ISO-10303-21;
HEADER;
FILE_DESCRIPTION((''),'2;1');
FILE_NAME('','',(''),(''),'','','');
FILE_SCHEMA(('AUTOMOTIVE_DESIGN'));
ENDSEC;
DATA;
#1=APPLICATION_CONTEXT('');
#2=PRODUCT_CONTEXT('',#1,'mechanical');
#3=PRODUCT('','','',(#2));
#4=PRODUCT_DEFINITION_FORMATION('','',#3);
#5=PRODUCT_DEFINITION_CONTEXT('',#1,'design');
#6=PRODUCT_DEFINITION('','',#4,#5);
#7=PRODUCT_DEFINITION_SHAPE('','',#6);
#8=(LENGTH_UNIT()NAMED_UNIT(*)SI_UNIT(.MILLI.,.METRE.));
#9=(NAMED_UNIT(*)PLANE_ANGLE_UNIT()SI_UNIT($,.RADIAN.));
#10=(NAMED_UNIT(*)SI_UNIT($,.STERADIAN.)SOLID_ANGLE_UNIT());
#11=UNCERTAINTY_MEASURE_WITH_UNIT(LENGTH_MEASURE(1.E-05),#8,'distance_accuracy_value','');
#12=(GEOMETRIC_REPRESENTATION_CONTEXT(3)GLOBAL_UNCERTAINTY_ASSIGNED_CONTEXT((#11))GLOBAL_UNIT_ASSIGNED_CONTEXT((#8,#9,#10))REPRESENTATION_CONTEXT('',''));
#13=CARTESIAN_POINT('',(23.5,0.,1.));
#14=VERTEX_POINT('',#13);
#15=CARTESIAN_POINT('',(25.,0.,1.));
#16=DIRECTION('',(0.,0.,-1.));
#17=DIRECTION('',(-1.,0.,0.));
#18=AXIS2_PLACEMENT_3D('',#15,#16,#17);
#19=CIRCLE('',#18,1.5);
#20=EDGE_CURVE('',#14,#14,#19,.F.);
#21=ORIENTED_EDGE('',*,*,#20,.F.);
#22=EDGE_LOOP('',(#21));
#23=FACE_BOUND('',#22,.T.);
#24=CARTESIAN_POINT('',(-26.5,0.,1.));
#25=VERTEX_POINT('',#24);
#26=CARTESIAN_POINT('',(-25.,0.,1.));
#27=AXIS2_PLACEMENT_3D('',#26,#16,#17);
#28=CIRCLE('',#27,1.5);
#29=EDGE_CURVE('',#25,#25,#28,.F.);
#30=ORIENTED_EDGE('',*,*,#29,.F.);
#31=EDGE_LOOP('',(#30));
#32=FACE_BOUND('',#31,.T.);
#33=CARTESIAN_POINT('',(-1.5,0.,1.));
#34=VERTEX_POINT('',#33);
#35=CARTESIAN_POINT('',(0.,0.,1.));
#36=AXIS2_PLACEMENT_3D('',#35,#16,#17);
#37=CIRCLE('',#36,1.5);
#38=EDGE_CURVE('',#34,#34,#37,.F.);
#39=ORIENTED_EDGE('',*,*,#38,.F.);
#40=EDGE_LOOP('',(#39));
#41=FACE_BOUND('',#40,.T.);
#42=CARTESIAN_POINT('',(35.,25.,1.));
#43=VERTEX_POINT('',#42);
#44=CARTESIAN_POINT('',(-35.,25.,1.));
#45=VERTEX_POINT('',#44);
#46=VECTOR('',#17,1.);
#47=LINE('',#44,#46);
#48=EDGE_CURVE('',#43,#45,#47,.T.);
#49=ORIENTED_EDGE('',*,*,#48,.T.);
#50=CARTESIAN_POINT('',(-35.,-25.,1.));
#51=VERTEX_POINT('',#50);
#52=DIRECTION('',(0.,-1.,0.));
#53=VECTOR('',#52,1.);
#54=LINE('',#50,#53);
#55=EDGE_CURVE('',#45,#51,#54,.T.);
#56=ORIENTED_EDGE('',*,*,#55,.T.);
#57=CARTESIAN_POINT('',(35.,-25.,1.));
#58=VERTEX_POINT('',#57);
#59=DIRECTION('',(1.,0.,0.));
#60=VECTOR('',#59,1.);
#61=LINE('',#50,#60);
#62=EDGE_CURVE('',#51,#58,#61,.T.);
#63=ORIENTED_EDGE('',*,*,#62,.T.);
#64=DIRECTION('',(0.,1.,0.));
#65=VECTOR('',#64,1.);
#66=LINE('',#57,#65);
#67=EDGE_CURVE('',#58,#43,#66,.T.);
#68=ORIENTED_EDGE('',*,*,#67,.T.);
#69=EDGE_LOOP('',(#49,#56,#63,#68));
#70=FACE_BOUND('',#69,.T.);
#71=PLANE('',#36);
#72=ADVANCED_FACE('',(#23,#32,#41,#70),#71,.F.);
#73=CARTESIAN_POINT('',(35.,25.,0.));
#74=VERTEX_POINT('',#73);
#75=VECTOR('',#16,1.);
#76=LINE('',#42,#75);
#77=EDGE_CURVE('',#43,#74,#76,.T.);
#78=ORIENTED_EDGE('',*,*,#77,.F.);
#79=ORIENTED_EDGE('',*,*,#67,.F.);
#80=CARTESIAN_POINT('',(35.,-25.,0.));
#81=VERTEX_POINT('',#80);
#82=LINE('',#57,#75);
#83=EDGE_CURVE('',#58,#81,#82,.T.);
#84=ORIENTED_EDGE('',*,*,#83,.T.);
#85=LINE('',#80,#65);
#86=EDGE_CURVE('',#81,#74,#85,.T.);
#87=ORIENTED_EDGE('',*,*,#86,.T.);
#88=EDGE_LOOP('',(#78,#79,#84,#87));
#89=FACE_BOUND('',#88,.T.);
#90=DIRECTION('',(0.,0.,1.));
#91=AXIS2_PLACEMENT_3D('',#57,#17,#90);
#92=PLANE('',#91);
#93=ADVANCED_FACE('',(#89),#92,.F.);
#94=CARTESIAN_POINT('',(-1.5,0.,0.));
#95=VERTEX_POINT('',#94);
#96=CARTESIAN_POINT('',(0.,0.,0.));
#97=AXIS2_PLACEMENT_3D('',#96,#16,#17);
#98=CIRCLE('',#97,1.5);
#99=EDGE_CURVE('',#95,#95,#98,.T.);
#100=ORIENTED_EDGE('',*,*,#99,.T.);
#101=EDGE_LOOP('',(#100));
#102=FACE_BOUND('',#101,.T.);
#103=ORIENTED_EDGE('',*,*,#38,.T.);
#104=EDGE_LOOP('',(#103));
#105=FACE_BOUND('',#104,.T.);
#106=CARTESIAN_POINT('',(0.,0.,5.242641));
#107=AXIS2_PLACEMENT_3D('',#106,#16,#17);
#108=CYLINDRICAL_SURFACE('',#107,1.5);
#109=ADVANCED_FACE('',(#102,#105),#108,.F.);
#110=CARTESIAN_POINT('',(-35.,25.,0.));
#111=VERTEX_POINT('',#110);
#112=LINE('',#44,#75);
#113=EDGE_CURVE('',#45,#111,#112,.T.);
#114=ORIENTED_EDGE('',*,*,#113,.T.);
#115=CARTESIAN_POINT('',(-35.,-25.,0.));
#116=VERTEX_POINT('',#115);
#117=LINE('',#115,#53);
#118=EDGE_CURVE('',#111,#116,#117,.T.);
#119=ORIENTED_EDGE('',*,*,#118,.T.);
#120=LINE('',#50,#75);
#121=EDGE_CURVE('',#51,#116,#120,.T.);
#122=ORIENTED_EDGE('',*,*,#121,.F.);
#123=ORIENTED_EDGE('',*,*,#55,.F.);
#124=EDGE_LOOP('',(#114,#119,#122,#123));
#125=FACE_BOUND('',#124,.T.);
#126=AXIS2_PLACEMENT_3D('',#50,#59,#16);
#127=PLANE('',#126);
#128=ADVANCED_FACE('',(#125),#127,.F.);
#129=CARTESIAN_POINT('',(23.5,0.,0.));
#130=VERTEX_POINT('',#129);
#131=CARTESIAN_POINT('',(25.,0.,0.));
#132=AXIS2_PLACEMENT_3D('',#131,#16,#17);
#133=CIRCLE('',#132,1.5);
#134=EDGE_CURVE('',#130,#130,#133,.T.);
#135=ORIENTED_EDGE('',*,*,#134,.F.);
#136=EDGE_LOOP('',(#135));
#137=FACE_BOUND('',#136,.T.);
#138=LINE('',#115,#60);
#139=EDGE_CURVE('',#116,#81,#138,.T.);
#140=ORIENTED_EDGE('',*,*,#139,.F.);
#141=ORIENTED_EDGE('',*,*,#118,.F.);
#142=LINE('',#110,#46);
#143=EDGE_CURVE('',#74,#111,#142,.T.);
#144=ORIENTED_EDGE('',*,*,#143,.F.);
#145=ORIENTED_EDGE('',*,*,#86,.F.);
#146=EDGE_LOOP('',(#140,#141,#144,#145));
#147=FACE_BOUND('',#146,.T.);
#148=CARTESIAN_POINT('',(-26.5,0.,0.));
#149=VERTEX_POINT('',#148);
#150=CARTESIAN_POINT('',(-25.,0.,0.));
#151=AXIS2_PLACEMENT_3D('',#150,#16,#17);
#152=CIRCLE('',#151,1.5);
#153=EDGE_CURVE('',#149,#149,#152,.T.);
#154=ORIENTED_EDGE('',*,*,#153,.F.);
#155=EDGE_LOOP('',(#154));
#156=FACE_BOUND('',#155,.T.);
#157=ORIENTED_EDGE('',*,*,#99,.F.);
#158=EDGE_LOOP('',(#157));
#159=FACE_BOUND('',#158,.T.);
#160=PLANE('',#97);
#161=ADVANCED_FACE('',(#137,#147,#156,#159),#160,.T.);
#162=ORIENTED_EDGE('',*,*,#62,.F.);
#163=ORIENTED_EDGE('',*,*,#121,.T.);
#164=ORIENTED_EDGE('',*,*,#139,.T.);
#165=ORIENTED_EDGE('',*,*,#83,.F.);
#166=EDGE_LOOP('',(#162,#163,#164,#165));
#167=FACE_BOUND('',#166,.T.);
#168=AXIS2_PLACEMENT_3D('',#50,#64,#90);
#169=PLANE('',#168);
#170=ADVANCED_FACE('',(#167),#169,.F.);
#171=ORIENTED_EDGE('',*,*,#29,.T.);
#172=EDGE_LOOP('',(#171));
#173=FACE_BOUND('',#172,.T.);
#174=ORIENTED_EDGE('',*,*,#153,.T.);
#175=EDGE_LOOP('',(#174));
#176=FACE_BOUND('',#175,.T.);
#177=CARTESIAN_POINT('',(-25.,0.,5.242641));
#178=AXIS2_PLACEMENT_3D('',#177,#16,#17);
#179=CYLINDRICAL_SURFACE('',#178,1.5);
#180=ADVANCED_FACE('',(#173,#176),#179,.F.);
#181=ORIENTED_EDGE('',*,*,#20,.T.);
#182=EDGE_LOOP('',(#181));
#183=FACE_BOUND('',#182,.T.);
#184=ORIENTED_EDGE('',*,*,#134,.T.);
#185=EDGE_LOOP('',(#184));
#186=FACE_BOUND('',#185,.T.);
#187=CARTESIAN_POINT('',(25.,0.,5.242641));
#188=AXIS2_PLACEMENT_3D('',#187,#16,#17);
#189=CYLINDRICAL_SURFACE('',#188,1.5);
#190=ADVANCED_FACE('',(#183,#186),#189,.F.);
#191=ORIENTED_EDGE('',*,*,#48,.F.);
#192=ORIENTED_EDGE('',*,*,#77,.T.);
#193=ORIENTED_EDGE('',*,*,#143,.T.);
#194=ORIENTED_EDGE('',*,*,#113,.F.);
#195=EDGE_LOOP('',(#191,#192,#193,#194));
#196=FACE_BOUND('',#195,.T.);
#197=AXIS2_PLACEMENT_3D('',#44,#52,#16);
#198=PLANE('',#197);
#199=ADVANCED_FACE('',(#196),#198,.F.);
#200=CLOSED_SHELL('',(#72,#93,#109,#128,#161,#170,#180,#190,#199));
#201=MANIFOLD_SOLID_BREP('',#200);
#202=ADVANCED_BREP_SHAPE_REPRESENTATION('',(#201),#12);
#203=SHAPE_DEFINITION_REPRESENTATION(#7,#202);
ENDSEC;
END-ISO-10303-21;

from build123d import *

# Parameters (mm, degrees)
CROQUIS1_W              = 70
CROQUIS1_H              = 50
SALIENTE_EXTRUIR1_DEPTH = 1
CROQUIS2_R              = 1.5
CORTAR_EXTRUIR1_DEPTH   = 1


with BuildPart() as part:
    # Croquis1 → Saliente-Extruir1 (new body)
    with BuildSketch(Plane.XY):
        Rectangle(CROQUIS1_W, CROQUIS1_H)
    extrude(amount=SALIENTE_EXTRUIR1_DEPTH)

    # Croquis2 → Cortar-Extruir1 (cut)
    with BuildSketch(Plane(origin=(0, 0, 0), x_dir=(-1, 0, 0), z_dir=(0, 0, -1))):
        with Locations((-25, 0)):
            Circle(CROQUIS2_R)
        Circle(CROQUIS2_R)
        with Locations((25, 0)):
            Circle(CROQUIS2_R)
    extrude(amount=-CORTAR_EXTRUIR1_DEPTH, mode=Mode.SUBTRACT)


solid = part.part
